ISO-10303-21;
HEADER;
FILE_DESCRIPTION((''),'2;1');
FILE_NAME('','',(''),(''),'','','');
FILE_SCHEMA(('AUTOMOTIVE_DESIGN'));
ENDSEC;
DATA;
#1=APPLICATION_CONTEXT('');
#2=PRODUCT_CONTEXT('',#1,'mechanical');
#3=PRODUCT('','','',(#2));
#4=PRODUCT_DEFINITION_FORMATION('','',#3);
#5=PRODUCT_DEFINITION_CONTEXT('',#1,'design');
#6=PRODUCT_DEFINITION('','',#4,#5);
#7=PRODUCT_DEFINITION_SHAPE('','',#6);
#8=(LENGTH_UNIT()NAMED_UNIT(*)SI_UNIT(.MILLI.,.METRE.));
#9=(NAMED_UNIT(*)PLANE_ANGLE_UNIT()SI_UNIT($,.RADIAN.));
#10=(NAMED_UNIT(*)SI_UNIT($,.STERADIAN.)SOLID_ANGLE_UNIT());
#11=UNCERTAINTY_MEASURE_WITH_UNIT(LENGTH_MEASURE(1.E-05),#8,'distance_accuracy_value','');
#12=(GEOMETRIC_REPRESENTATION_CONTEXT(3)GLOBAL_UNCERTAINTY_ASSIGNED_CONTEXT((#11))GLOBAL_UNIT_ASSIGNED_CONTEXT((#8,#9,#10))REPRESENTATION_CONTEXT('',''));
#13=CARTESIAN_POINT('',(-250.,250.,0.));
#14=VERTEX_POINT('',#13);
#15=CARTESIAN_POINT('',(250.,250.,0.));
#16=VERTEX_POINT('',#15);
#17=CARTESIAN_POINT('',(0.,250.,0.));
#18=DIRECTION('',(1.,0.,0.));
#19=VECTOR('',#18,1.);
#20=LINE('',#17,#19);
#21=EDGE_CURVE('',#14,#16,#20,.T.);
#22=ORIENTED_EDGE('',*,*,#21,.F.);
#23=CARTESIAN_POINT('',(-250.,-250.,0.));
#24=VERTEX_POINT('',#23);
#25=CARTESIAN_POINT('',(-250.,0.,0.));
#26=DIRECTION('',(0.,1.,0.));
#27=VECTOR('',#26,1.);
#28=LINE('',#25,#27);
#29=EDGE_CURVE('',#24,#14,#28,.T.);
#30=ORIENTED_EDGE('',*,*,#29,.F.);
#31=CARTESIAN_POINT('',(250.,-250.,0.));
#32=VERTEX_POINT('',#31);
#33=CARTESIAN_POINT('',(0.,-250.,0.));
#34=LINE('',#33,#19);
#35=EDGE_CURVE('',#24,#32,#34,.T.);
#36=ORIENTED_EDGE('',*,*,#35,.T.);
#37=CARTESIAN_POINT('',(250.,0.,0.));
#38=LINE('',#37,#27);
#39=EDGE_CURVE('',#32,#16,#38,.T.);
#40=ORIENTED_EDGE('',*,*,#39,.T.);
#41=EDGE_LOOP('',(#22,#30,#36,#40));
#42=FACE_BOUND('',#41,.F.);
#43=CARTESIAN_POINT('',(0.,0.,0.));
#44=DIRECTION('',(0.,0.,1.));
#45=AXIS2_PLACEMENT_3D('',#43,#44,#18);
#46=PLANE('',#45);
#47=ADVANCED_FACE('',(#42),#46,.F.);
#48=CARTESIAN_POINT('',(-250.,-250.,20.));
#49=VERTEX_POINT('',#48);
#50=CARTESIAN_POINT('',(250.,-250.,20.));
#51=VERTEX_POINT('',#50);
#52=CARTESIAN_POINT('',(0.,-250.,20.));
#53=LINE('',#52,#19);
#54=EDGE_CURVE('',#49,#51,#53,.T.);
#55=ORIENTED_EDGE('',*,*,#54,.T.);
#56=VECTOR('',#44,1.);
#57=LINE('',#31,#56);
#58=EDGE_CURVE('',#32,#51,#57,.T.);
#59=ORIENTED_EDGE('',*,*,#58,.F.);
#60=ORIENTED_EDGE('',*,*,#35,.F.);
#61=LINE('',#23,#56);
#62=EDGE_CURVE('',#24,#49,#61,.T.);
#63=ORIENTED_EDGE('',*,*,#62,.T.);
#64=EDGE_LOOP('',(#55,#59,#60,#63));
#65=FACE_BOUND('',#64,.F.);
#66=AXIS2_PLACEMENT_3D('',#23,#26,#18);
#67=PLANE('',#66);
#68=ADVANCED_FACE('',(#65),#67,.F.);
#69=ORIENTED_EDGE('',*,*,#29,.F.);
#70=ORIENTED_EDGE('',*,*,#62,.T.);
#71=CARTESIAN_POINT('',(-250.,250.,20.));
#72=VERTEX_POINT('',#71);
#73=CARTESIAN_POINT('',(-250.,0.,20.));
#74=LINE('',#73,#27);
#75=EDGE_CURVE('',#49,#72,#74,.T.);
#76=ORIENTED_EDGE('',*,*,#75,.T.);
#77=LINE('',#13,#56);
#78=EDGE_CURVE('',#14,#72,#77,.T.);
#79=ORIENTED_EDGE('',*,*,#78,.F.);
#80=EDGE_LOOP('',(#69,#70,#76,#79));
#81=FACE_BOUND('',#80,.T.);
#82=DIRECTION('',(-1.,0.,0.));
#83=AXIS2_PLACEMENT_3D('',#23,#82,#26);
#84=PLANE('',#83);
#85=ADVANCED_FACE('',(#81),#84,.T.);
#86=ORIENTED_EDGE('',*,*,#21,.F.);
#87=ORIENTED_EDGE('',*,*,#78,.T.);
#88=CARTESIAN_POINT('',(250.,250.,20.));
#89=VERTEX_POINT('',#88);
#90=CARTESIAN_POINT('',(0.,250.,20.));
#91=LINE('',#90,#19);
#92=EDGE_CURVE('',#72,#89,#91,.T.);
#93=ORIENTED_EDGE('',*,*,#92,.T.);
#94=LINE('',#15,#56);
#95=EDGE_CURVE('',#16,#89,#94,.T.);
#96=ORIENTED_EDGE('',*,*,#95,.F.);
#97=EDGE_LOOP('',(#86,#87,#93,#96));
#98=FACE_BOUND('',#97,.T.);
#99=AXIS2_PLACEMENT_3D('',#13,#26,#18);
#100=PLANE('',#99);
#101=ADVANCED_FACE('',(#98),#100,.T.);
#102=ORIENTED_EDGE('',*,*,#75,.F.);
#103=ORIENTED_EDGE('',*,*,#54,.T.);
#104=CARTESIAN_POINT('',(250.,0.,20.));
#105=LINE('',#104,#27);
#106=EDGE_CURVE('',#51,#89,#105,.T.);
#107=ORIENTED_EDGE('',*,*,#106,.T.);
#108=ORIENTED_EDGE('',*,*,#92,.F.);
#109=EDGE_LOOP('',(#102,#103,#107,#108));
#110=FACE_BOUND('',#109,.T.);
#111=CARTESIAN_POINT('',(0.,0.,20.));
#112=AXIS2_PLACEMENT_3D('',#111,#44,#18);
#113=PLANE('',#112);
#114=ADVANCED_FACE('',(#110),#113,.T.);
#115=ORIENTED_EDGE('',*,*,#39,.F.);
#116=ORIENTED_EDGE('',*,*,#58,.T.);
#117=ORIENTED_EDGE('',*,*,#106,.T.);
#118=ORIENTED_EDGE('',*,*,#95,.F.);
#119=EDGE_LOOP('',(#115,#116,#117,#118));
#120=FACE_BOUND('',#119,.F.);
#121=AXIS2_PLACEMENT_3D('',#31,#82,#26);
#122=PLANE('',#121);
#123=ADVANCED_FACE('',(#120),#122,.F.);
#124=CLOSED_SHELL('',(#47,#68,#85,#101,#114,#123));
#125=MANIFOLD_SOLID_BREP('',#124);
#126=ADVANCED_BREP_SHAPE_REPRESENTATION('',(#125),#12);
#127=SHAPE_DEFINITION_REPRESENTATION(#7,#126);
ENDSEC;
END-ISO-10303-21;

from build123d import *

# Parameters (mm, degrees)
F1_W     = 500
F1_H     = 500
F2_DEPTH = 20


with BuildPart() as f2:
    # F1 (on face) → F2 (new body)
    with BuildSketch(Plane.XY):
        Rectangle(F1_W, F1_H)
    extrude(amount=F2_DEPTH)


solid = f2.part
